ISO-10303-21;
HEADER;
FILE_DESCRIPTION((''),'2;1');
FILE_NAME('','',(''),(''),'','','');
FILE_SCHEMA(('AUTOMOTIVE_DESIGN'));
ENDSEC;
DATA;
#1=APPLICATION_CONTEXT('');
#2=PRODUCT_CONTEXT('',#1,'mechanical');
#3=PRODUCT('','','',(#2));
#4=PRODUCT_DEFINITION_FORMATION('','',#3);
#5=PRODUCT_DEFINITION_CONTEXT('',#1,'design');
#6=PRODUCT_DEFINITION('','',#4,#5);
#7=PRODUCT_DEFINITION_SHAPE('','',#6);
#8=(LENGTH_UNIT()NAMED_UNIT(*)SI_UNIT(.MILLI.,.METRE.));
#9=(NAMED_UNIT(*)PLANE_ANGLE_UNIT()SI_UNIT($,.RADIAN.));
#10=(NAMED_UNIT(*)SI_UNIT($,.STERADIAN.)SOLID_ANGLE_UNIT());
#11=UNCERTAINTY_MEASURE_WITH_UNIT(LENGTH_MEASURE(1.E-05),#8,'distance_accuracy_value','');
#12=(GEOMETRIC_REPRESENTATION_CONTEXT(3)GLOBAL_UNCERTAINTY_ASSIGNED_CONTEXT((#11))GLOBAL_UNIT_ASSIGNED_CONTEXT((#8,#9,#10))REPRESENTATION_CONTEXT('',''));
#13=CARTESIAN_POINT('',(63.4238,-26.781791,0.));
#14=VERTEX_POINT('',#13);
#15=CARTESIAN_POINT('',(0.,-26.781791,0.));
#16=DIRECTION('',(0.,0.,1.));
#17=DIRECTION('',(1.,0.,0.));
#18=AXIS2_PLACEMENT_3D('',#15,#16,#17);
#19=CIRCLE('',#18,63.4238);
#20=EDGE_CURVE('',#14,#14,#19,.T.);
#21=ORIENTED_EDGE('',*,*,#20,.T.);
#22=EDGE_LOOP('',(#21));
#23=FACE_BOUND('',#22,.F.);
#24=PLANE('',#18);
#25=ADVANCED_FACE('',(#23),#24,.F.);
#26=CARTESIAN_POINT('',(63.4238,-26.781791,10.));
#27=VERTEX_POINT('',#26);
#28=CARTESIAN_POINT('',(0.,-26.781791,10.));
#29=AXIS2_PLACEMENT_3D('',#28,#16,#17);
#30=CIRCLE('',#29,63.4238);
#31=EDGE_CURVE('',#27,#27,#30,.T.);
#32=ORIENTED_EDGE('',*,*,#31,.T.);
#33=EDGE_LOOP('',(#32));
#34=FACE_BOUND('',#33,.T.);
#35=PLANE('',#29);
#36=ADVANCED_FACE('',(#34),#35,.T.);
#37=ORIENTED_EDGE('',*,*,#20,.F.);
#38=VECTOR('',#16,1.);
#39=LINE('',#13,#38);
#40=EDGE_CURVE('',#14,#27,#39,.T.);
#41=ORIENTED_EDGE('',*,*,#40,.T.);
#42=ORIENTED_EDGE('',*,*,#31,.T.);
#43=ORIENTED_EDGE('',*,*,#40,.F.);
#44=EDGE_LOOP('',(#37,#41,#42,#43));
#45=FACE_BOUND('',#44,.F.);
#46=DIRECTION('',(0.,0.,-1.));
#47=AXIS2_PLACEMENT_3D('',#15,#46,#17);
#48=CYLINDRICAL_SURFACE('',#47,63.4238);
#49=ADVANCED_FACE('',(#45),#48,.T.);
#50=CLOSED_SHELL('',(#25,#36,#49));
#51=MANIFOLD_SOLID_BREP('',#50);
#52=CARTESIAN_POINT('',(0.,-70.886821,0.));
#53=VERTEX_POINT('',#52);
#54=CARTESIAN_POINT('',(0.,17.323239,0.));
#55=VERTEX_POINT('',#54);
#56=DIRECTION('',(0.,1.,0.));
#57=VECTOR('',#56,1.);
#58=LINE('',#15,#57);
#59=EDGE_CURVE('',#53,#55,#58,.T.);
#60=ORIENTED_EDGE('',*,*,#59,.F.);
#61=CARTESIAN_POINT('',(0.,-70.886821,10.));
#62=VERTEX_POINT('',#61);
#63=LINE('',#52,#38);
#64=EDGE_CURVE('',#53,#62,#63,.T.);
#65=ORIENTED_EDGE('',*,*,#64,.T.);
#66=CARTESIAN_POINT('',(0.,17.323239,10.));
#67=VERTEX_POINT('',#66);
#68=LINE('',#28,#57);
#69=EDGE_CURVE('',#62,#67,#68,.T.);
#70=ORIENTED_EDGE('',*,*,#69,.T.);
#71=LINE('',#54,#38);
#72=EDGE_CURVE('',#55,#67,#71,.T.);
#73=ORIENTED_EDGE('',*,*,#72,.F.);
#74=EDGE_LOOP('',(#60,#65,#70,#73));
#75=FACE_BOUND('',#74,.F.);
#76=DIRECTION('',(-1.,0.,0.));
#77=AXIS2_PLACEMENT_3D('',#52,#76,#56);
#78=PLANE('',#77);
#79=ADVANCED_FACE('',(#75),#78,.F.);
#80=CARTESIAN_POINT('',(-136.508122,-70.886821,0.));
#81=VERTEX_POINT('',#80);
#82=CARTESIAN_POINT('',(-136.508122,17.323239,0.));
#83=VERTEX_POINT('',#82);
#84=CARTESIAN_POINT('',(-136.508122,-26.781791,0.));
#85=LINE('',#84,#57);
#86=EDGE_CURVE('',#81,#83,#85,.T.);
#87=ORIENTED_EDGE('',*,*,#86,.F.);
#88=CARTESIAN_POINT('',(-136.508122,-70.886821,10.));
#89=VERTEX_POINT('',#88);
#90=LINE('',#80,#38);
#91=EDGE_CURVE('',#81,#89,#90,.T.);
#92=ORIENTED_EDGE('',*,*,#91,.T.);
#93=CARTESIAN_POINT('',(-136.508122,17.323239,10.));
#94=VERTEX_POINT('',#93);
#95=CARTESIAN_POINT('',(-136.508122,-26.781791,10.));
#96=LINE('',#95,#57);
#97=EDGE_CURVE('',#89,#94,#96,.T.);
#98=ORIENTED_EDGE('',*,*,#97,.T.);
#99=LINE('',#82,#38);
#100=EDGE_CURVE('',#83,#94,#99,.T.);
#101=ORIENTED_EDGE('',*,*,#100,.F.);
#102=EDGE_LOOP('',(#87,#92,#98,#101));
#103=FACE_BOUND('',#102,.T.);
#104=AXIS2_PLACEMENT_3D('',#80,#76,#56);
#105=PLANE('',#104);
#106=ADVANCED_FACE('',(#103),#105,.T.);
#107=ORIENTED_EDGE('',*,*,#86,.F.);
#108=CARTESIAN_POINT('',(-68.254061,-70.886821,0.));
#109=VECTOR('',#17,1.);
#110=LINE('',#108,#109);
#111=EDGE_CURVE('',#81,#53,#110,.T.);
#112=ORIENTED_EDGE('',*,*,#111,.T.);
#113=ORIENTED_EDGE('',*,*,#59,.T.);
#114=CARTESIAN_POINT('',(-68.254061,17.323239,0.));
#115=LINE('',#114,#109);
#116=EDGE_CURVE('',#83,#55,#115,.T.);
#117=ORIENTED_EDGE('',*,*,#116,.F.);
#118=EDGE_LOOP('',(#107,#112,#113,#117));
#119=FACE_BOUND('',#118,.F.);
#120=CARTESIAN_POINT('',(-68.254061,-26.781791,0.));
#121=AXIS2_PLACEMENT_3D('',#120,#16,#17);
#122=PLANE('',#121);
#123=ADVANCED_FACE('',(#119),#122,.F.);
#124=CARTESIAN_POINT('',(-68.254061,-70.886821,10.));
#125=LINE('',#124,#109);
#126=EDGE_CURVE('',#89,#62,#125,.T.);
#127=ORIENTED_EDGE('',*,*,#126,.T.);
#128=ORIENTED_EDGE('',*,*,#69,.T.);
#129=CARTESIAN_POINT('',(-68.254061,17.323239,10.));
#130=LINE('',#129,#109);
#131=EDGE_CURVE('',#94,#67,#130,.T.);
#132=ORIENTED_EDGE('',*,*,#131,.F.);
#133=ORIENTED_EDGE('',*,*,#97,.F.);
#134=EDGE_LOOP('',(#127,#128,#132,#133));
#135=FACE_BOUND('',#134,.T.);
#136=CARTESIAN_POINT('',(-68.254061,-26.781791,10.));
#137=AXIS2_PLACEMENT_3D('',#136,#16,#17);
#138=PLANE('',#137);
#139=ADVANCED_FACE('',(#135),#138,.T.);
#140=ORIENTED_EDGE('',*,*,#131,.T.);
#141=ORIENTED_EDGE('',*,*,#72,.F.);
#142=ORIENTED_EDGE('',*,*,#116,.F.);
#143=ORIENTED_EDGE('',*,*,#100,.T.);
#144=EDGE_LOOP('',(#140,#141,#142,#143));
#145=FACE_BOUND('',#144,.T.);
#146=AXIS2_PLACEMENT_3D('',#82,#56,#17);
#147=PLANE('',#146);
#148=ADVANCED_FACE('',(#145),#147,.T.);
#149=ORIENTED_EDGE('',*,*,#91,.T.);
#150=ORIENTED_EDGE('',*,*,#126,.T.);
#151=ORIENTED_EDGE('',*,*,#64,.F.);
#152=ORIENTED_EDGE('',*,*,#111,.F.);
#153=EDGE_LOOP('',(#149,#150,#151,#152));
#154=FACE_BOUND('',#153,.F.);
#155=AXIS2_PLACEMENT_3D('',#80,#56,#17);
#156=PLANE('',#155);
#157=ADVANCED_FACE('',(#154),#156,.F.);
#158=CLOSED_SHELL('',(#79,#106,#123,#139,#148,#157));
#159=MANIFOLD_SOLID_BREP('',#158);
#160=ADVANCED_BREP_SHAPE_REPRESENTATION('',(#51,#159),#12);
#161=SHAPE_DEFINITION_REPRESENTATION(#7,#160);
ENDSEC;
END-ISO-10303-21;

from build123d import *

# Parameters (mm, degrees)
F0_W     = 136.5081220865
F0_H     = 88.2100593299
F2_DEPTH = 10
F1_R     = 63.4238


with BuildPart() as f2:
    # F0 (on Top) → F2 (new body)
    with BuildSketch(Plane.XY):
        with Locations((-68.2540610433, -26.7817908898)):
            Rectangle(F0_W, F0_H)
    extrude(amount=F2_DEPTH)


with BuildPart() as f2b:
    # F1 (on Top) → F2, piece 2 (new body)
    with BuildSketch(Plane.XY):
        with Locations((0, -26.7817908898)):
            Circle(F1_R)
    extrude(amount=F2_DEPTH)


solid = Compound([f2.part, f2b.part])
